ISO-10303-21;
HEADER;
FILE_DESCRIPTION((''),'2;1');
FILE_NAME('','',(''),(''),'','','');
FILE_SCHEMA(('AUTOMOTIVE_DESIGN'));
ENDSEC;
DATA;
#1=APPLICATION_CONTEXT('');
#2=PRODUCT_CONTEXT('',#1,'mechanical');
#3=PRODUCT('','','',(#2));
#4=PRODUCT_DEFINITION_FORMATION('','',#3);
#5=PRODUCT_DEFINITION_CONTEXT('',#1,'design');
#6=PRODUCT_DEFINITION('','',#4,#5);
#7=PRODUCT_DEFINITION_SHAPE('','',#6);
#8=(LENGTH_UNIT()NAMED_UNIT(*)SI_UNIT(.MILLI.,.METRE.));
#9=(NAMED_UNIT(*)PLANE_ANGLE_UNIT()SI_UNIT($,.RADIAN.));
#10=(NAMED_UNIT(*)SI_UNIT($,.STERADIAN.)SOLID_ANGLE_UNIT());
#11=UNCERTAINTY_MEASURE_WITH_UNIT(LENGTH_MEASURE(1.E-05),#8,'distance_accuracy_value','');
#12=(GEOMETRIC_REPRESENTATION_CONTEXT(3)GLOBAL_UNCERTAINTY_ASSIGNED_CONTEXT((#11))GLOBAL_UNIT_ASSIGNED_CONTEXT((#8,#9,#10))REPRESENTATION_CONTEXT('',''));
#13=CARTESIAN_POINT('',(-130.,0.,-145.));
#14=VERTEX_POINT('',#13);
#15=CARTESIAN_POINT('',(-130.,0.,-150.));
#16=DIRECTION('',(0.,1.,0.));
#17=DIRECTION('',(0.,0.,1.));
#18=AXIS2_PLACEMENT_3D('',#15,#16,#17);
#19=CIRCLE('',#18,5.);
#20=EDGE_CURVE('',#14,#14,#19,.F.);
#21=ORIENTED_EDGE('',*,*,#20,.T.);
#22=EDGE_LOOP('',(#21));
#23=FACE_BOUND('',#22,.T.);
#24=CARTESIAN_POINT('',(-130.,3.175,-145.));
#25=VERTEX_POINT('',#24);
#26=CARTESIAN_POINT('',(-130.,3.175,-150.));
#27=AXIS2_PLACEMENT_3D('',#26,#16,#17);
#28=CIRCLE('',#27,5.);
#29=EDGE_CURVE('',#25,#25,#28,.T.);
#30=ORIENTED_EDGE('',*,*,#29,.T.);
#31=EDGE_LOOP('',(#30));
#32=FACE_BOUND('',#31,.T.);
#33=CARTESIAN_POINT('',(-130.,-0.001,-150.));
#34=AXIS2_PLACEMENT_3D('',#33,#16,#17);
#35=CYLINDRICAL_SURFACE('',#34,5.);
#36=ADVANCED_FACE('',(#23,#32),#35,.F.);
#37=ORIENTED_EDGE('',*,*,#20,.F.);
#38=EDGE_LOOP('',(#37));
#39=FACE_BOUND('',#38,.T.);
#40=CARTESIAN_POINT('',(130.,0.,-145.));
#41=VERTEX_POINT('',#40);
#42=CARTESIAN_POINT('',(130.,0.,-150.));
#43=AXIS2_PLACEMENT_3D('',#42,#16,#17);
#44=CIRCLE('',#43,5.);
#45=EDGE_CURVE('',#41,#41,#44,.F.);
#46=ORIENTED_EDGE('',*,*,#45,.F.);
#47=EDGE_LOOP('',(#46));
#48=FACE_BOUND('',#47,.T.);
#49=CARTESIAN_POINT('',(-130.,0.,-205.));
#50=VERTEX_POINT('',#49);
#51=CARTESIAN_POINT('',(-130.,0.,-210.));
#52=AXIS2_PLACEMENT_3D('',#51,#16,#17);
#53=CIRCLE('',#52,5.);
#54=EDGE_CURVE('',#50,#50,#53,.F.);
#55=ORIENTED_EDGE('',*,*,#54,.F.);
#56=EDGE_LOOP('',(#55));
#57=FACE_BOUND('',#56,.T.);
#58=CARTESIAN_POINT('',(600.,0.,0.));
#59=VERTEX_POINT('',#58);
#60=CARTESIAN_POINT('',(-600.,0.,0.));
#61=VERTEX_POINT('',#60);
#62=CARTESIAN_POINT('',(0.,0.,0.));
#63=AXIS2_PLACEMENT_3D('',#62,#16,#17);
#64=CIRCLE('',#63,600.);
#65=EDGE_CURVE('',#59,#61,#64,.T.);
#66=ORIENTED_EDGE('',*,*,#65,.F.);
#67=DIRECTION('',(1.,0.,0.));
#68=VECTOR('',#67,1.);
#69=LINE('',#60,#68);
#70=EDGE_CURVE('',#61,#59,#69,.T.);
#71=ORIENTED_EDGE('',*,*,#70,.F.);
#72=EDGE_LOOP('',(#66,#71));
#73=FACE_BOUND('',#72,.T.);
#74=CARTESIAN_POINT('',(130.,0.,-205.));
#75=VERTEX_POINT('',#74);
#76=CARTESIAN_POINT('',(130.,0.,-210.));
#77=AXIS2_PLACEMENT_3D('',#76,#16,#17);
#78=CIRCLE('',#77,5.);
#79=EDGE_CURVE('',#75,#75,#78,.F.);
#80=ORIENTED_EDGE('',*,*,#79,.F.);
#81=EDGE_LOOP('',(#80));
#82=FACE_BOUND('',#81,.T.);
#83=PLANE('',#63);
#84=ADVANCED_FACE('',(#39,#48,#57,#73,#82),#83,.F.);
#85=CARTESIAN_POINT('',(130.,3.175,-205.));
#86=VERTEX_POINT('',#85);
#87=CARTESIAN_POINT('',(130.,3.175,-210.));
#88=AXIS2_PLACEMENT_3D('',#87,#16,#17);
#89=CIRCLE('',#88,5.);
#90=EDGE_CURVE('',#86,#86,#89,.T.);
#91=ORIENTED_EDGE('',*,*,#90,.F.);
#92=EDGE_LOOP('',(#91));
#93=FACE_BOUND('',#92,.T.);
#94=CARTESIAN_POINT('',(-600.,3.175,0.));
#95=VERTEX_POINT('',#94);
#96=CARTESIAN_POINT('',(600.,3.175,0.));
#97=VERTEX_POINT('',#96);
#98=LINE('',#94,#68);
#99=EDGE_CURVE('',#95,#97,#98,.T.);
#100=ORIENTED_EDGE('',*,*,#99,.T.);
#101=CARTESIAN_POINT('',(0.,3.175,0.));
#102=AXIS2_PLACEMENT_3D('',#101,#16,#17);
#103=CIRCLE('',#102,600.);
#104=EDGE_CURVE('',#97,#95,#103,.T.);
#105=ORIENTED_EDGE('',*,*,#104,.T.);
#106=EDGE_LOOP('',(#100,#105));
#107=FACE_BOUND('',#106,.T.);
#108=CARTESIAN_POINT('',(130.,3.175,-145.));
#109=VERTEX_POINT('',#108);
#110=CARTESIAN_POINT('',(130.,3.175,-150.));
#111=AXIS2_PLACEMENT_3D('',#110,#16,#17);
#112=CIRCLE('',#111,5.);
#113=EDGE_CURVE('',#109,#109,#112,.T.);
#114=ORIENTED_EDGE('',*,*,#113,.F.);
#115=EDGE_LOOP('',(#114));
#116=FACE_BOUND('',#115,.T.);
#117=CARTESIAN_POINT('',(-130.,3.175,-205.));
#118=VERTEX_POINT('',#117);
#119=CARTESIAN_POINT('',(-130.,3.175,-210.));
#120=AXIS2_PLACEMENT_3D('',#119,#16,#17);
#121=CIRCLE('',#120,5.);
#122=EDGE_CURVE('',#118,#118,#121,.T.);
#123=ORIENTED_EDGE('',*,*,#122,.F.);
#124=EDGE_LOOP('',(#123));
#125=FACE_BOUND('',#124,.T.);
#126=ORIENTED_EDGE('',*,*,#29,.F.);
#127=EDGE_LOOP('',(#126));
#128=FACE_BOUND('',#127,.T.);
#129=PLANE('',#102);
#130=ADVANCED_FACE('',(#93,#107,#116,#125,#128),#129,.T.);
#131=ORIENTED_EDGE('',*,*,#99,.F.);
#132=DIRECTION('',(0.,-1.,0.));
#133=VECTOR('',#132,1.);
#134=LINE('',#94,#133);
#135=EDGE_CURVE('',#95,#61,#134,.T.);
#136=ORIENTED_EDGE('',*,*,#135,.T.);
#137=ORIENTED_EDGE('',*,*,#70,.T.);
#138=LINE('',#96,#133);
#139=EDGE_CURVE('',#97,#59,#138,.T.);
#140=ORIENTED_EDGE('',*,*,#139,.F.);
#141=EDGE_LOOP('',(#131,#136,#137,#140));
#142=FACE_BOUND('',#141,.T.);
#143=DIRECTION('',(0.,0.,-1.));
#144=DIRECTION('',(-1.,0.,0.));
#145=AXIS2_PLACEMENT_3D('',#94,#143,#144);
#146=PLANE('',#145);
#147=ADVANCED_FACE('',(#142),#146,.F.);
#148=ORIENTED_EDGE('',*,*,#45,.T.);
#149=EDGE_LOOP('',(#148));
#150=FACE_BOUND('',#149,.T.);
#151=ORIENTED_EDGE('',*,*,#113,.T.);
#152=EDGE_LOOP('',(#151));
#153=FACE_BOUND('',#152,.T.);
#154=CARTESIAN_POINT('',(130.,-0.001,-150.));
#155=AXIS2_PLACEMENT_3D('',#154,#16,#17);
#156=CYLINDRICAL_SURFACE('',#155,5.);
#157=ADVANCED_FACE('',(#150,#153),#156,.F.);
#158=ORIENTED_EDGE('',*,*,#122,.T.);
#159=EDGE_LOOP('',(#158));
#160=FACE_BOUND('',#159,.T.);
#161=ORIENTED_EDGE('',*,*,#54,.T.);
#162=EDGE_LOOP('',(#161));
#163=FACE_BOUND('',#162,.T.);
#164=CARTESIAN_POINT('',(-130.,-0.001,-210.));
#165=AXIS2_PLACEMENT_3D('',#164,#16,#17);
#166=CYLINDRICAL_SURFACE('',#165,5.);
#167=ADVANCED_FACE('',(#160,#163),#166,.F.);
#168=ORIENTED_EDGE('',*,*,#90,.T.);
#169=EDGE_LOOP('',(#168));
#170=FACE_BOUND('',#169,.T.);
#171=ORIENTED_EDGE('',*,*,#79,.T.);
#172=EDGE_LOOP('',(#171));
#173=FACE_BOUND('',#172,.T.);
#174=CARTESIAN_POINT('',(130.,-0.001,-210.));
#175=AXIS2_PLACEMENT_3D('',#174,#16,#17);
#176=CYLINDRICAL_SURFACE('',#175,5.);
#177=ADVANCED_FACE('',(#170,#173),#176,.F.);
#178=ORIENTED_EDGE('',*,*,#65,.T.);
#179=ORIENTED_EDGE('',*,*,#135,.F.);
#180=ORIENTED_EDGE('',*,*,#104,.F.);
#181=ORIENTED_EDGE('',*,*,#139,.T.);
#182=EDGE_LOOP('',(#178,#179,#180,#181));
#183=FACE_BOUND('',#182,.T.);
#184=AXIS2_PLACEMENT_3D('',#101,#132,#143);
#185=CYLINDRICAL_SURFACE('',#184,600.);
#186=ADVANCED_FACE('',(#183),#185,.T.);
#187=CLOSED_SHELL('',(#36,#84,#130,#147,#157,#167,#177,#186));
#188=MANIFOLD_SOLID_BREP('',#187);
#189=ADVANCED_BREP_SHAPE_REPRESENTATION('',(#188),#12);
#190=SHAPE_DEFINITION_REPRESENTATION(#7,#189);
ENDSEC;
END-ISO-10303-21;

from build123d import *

# Parameters (mm, degrees)
BOSS_EXTRUDE1_DEPTH = 3.175
CUT_EXTRUDE1_REACH  = 850.534


with BuildPart() as part:
    # Sketch1 → Boss-Extrude1 (new body)
    with BuildSketch(Plane(origin=(0, 0, 0), x_dir=(1, 0, 0), z_dir=(0, 1, 0))):
        with BuildLine():
            Line((-600, 0), (600, 0))
            ThreePointArc((600, 0), (0, 600), (-600, 0))
        make_face()
    extrude(amount=BOSS_EXTRUDE1_DEPTH)

    # Sketch2 → Cut-Extrude1 (cut, up to next)
    with BuildSketch(Plane(origin=(0, 3.175, 0), x_dir=(1, 0, 0), z_dir=(0, 1, 0)), mode=Mode.PRIVATE) as cut_extrude1_sk1:
        with BuildLine():
            Line((-130, 205), (-130, 210))
            Line((-130, 210), (-125, 210))
            ThreePointArc((-125, 210), (-133.535533906, 213.535533906), (-130, 205))
        make_face()
    cut_extrude1_tool1 = extrude(cut_extrude1_sk1.sketch, amount=-CUT_EXTRUDE1_REACH, mode=Mode.PRIVATE) & part.part
    # Sketch2 → Cut-Extrude1 (cut, up to next)
    with BuildSketch(Plane(origin=(0, 3.175, 0), x_dir=(1, 0, 0), z_dir=(0, 1, 0)), mode=Mode.PRIVATE) as cut_extrude1_sk2:
        with BuildLine():
            Line((-125, 210), (-130, 210))
            Line((-130, 210), (-130, 205))
            ThreePointArc((-130, 205), (-126.464466094, 206.464466094), (-125, 210))
        make_face()
    cut_extrude1_tool2 = extrude(cut_extrude1_sk2.sketch, amount=-CUT_EXTRUDE1_REACH, mode=Mode.PRIVATE) & part.part
    # Sketch2 → Cut-Extrude1 (cut, up to next)
    with BuildSketch(Plane(origin=(0, 3.175, 0), x_dir=(1, 0, 0), z_dir=(0, 1, 0)), mode=Mode.PRIVATE) as cut_extrude1_sk3:
        with BuildLine():
            Line((-130, 205), (-130, 210))
            Line((-130, 210), (-125, 210))
            ThreePointArc((-125, 210), (-133.535533906, 213.535533906), (-130, 205))
        make_face()
    cut_extrude1_tool3 = extrude(cut_extrude1_sk3.sketch, amount=-CUT_EXTRUDE1_REACH, mode=Mode.PRIVATE) & part.part
    # Sketch2 → Cut-Extrude1 (cut, up to next)
    with BuildSketch(Plane(origin=(0, 3.175, 0), x_dir=(1, 0, 0), z_dir=(0, 1, 0)), mode=Mode.PRIVATE) as cut_extrude1_sk4:
        with BuildLine():
            Line((-125, 210), (-130, 210))
            Line((-130, 210), (-130, 205))
            ThreePointArc((-130, 205), (-126.464466094, 206.464466094), (-125, 210))
        make_face()
    cut_extrude1_tool4 = extrude(cut_extrude1_sk4.sketch, amount=-CUT_EXTRUDE1_REACH, mode=Mode.PRIVATE) & part.part
    # Sketch2 → Cut-Extrude1 (cut, up to next)
    with BuildSketch(Plane(origin=(0, 3.175, 0), x_dir=(1, 0, 0), z_dir=(0, 1, 0)), mode=Mode.PRIVATE) as cut_extrude1_sk5:
        with BuildLine():
            ThreePointArc((-125, 150), (-126.464466094, 153.535533906), (-130, 155))
            Line((-130, 155), (-130, 150))
            Line((-130, 150), (-125, 150))
        make_face()
    cut_extrude1_tool5 = extrude(cut_extrude1_sk5.sketch, amount=-CUT_EXTRUDE1_REACH, mode=Mode.PRIVATE) & part.part
    # Sketch2 → Cut-Extrude1 (cut, up to next)
    with BuildSketch(Plane(origin=(0, 3.175, 0), x_dir=(1, 0, 0), z_dir=(0, 1, 0)), mode=Mode.PRIVATE) as cut_extrude1_sk6:
        with BuildLine():
            Line((-130, 150), (-130, 155))
            ThreePointArc((-130, 155), (-133.535533906, 146.464466094), (-125, 150))
            Line((-125, 150), (-130, 150))
        make_face()
    cut_extrude1_tool6 = extrude(cut_extrude1_sk6.sketch, amount=-CUT_EXTRUDE1_REACH, mode=Mode.PRIVATE) & part.part
    # Sketch2 → Cut-Extrude1 (cut, up to next)
    with BuildSketch(Plane(origin=(0, 3.175, 0), x_dir=(1, 0, 0), z_dir=(0, 1, 0)), mode=Mode.PRIVATE) as cut_extrude1_sk7:
        with BuildLine():
            ThreePointArc((-125, 150), (-126.464466094, 153.535533906), (-130, 155))
            Line((-130, 155), (-130, 150))
            Line((-130, 150), (-125, 150))
        make_face()
    cut_extrude1_tool7 = extrude(cut_extrude1_sk7.sketch, amount=-CUT_EXTRUDE1_REACH, mode=Mode.PRIVATE) & part.part
    # Sketch2 → Cut-Extrude1 (cut, up to next)
    with BuildSketch(Plane(origin=(0, 3.175, 0), x_dir=(1, 0, 0), z_dir=(0, 1, 0)), mode=Mode.PRIVATE) as cut_extrude1_sk8:
        with BuildLine():
            Line((-130, 150), (-130, 155))
            ThreePointArc((-130, 155), (-133.535533906, 146.464466094), (-125, 150))
            Line((-125, 150), (-130, 150))
        make_face()
    cut_extrude1_tool8 = extrude(cut_extrude1_sk8.sketch, amount=-CUT_EXTRUDE1_REACH, mode=Mode.PRIVATE) & part.part
    # Sketch2 → Cut-Extrude1 (cut, up to next)
    with BuildSketch(Plane(origin=(0, 3.175, 0), x_dir=(1, 0, 0), z_dir=(0, 1, 0)), mode=Mode.PRIVATE) as cut_extrude1_sk9:
        with BuildLine():
            ThreePointArc((135, 150), (133.535533906, 153.535533906), (130, 155))
            Line((130, 155), (130, 150))
            Line((130, 150), (125, 150))
            ThreePointArc((125, 150), (130, 145), (135, 150))
        make_face()
    cut_extrude1_tool9 = extrude(cut_extrude1_sk9.sketch, amount=-CUT_EXTRUDE1_REACH, mode=Mode.PRIVATE) & part.part
    # Sketch2 → Cut-Extrude1 (cut, up to next)
    with BuildSketch(Plane(origin=(0, 3.175, 0), x_dir=(1, 0, 0), z_dir=(0, 1, 0)), mode=Mode.PRIVATE) as cut_extrude1_sk10:
        with BuildLine():
            Line((130, 150), (130, 155))
            ThreePointArc((130, 155), (126.464466094, 153.535533906), (125, 150))
            Line((125, 150), (130, 150))
        make_face()
    cut_extrude1_tool10 = extrude(cut_extrude1_sk10.sketch, amount=-CUT_EXTRUDE1_REACH, mode=Mode.PRIVATE) & part.part
    # Sketch2 → Cut-Extrude1 (cut, up to next)
    with BuildSketch(Plane(origin=(0, 3.175, 0), x_dir=(1, 0, 0), z_dir=(0, 1, 0)), mode=Mode.PRIVATE) as cut_extrude1_sk11:
        with BuildLine():
            ThreePointArc((135, 150), (133.535533906, 153.535533906), (130, 155))
            Line((130, 155), (130, 150))
            Line((130, 150), (125, 150))
            ThreePointArc((125, 150), (130, 145), (135, 150))
        make_face()
    cut_extrude1_tool11 = extrude(cut_extrude1_sk11.sketch, amount=-CUT_EXTRUDE1_REACH, mode=Mode.PRIVATE) & part.part
    # Sketch2 → Cut-Extrude1 (cut, up to next)
    with BuildSketch(Plane(origin=(0, 3.175, 0), x_dir=(1, 0, 0), z_dir=(0, 1, 0)), mode=Mode.PRIVATE) as cut_extrude1_sk12:
        with BuildLine():
            Line((130, 150), (130, 155))
            ThreePointArc((130, 155), (126.464466094, 153.535533906), (125, 150))
            Line((125, 150), (130, 150))
        make_face()
    cut_extrude1_tool12 = extrude(cut_extrude1_sk12.sketch, amount=-CUT_EXTRUDE1_REACH, mode=Mode.PRIVATE) & part.part
    # Sketch2 → Cut-Extrude1 (cut, up to next)
    with BuildSketch(Plane(origin=(0, 3.175, 0), x_dir=(1, 0, 0), z_dir=(0, 1, 0)), mode=Mode.PRIVATE) as cut_extrude1_sk13:
        with BuildLine():
            ThreePointArc((135, 210), (130, 215), (125, 210))
            Line((125, 210), (130, 210))
            Line((130, 210), (130, 205))
            ThreePointArc((130, 205), (133.535533906, 206.464466094), (135, 210))
        make_face()
    cut_extrude1_tool13 = extrude(cut_extrude1_sk13.sketch, amount=-CUT_EXTRUDE1_REACH, mode=Mode.PRIVATE) & part.part
    # Sketch2 → Cut-Extrude1 (cut, up to next)
    with BuildSketch(Plane(origin=(0, 3.175, 0), x_dir=(1, 0, 0), z_dir=(0, 1, 0)), mode=Mode.PRIVATE) as cut_extrude1_sk14:
        with BuildLine():
            Line((130, 210), (125, 210))
            ThreePointArc((125, 210), (126.464466094, 206.464466094), (130, 205))
            Line((130, 205), (130, 210))
        make_face()
    cut_extrude1_tool14 = extrude(cut_extrude1_sk14.sketch, amount=-CUT_EXTRUDE1_REACH, mode=Mode.PRIVATE) & part.part
    # Sketch2 → Cut-Extrude1 (cut, up to next)
    with BuildSketch(Plane(origin=(0, 3.175, 0), x_dir=(1, 0, 0), z_dir=(0, 1, 0)), mode=Mode.PRIVATE) as cut_extrude1_sk15:
        with BuildLine():
            ThreePointArc((135, 210), (130, 215), (125, 210))
            Line((125, 210), (130, 210))
            Line((130, 210), (130, 205))
            ThreePointArc((130, 205), (133.535533906, 206.464466094), (135, 210))
        make_face()
    cut_extrude1_tool15 = extrude(cut_extrude1_sk15.sketch, amount=-CUT_EXTRUDE1_REACH, mode=Mode.PRIVATE) & part.part
    # Sketch2 → Cut-Extrude1 (cut, up to next)
    with BuildSketch(Plane(origin=(0, 3.175, 0), x_dir=(1, 0, 0), z_dir=(0, 1, 0)), mode=Mode.PRIVATE) as cut_extrude1_sk16:
        with BuildLine():
            Line((130, 210), (125, 210))
            ThreePointArc((125, 210), (126.464466094, 206.464466094), (130, 205))
            Line((130, 205), (130, 210))
        make_face()
    cut_extrude1_tool16 = extrude(cut_extrude1_sk16.sketch, amount=-CUT_EXTRUDE1_REACH, mode=Mode.PRIVATE) & part.part
    add(cut_extrude1_tool1.solids().sort_by_distance((-130.707355, 3.175, -210.707355))[0], mode=Mode.SUBTRACT)
    add(cut_extrude1_tool2.solids().sort_by_distance((-127.877934, 3.175, -207.877934))[0], mode=Mode.SUBTRACT)
    add(cut_extrude1_tool3.solids().sort_by_distance((-130.707355, 3.175, -210.707355))[0], mode=Mode.SUBTRACT)
    add(cut_extrude1_tool4.solids().sort_by_distance((-127.877934, 3.175, -207.877934))[0], mode=Mode.SUBTRACT)
    add(cut_extrude1_tool5.solids().sort_by_distance((-127.877934, 3.175, -152.122066))[0], mode=Mode.SUBTRACT)
    add(cut_extrude1_tool6.solids().sort_by_distance((-130.707355, 3.175, -149.292645))[0], mode=Mode.SUBTRACT)
    add(cut_extrude1_tool7.solids().sort_by_distance((-127.877934, 3.175, -152.122066))[0], mode=Mode.SUBTRACT)
    add(cut_extrude1_tool8.solids().sort_by_distance((-130.707355, 3.175, -149.292645))[0], mode=Mode.SUBTRACT)
    add(cut_extrude1_tool9.solids().sort_by_distance((130.707355, 3.175, -149.292645))[0], mode=Mode.SUBTRACT)
    add(cut_extrude1_tool10.solids().sort_by_distance((127.877934, 3.175, -152.122066))[0], mode=Mode.SUBTRACT)
    add(cut_extrude1_tool11.solids().sort_by_distance((130.707355, 3.175, -149.292645))[0], mode=Mode.SUBTRACT)
    add(cut_extrude1_tool12.solids().sort_by_distance((127.877934, 3.175, -152.122066))[0], mode=Mode.SUBTRACT)
    add(cut_extrude1_tool13.solids().sort_by_distance((130.707355, 3.175, -210.707355))[0], mode=Mode.SUBTRACT)
    add(cut_extrude1_tool14.solids().sort_by_distance((127.877934, 3.175, -207.877934))[0], mode=Mode.SUBTRACT)
    add(cut_extrude1_tool15.solids().sort_by_distance((130.707355, 3.175, -210.707355))[0], mode=Mode.SUBTRACT)
    add(cut_extrude1_tool16.solids().sort_by_distance((127.877934, 3.175, -207.877934))[0], mode=Mode.SUBTRACT)


solid = part.part
